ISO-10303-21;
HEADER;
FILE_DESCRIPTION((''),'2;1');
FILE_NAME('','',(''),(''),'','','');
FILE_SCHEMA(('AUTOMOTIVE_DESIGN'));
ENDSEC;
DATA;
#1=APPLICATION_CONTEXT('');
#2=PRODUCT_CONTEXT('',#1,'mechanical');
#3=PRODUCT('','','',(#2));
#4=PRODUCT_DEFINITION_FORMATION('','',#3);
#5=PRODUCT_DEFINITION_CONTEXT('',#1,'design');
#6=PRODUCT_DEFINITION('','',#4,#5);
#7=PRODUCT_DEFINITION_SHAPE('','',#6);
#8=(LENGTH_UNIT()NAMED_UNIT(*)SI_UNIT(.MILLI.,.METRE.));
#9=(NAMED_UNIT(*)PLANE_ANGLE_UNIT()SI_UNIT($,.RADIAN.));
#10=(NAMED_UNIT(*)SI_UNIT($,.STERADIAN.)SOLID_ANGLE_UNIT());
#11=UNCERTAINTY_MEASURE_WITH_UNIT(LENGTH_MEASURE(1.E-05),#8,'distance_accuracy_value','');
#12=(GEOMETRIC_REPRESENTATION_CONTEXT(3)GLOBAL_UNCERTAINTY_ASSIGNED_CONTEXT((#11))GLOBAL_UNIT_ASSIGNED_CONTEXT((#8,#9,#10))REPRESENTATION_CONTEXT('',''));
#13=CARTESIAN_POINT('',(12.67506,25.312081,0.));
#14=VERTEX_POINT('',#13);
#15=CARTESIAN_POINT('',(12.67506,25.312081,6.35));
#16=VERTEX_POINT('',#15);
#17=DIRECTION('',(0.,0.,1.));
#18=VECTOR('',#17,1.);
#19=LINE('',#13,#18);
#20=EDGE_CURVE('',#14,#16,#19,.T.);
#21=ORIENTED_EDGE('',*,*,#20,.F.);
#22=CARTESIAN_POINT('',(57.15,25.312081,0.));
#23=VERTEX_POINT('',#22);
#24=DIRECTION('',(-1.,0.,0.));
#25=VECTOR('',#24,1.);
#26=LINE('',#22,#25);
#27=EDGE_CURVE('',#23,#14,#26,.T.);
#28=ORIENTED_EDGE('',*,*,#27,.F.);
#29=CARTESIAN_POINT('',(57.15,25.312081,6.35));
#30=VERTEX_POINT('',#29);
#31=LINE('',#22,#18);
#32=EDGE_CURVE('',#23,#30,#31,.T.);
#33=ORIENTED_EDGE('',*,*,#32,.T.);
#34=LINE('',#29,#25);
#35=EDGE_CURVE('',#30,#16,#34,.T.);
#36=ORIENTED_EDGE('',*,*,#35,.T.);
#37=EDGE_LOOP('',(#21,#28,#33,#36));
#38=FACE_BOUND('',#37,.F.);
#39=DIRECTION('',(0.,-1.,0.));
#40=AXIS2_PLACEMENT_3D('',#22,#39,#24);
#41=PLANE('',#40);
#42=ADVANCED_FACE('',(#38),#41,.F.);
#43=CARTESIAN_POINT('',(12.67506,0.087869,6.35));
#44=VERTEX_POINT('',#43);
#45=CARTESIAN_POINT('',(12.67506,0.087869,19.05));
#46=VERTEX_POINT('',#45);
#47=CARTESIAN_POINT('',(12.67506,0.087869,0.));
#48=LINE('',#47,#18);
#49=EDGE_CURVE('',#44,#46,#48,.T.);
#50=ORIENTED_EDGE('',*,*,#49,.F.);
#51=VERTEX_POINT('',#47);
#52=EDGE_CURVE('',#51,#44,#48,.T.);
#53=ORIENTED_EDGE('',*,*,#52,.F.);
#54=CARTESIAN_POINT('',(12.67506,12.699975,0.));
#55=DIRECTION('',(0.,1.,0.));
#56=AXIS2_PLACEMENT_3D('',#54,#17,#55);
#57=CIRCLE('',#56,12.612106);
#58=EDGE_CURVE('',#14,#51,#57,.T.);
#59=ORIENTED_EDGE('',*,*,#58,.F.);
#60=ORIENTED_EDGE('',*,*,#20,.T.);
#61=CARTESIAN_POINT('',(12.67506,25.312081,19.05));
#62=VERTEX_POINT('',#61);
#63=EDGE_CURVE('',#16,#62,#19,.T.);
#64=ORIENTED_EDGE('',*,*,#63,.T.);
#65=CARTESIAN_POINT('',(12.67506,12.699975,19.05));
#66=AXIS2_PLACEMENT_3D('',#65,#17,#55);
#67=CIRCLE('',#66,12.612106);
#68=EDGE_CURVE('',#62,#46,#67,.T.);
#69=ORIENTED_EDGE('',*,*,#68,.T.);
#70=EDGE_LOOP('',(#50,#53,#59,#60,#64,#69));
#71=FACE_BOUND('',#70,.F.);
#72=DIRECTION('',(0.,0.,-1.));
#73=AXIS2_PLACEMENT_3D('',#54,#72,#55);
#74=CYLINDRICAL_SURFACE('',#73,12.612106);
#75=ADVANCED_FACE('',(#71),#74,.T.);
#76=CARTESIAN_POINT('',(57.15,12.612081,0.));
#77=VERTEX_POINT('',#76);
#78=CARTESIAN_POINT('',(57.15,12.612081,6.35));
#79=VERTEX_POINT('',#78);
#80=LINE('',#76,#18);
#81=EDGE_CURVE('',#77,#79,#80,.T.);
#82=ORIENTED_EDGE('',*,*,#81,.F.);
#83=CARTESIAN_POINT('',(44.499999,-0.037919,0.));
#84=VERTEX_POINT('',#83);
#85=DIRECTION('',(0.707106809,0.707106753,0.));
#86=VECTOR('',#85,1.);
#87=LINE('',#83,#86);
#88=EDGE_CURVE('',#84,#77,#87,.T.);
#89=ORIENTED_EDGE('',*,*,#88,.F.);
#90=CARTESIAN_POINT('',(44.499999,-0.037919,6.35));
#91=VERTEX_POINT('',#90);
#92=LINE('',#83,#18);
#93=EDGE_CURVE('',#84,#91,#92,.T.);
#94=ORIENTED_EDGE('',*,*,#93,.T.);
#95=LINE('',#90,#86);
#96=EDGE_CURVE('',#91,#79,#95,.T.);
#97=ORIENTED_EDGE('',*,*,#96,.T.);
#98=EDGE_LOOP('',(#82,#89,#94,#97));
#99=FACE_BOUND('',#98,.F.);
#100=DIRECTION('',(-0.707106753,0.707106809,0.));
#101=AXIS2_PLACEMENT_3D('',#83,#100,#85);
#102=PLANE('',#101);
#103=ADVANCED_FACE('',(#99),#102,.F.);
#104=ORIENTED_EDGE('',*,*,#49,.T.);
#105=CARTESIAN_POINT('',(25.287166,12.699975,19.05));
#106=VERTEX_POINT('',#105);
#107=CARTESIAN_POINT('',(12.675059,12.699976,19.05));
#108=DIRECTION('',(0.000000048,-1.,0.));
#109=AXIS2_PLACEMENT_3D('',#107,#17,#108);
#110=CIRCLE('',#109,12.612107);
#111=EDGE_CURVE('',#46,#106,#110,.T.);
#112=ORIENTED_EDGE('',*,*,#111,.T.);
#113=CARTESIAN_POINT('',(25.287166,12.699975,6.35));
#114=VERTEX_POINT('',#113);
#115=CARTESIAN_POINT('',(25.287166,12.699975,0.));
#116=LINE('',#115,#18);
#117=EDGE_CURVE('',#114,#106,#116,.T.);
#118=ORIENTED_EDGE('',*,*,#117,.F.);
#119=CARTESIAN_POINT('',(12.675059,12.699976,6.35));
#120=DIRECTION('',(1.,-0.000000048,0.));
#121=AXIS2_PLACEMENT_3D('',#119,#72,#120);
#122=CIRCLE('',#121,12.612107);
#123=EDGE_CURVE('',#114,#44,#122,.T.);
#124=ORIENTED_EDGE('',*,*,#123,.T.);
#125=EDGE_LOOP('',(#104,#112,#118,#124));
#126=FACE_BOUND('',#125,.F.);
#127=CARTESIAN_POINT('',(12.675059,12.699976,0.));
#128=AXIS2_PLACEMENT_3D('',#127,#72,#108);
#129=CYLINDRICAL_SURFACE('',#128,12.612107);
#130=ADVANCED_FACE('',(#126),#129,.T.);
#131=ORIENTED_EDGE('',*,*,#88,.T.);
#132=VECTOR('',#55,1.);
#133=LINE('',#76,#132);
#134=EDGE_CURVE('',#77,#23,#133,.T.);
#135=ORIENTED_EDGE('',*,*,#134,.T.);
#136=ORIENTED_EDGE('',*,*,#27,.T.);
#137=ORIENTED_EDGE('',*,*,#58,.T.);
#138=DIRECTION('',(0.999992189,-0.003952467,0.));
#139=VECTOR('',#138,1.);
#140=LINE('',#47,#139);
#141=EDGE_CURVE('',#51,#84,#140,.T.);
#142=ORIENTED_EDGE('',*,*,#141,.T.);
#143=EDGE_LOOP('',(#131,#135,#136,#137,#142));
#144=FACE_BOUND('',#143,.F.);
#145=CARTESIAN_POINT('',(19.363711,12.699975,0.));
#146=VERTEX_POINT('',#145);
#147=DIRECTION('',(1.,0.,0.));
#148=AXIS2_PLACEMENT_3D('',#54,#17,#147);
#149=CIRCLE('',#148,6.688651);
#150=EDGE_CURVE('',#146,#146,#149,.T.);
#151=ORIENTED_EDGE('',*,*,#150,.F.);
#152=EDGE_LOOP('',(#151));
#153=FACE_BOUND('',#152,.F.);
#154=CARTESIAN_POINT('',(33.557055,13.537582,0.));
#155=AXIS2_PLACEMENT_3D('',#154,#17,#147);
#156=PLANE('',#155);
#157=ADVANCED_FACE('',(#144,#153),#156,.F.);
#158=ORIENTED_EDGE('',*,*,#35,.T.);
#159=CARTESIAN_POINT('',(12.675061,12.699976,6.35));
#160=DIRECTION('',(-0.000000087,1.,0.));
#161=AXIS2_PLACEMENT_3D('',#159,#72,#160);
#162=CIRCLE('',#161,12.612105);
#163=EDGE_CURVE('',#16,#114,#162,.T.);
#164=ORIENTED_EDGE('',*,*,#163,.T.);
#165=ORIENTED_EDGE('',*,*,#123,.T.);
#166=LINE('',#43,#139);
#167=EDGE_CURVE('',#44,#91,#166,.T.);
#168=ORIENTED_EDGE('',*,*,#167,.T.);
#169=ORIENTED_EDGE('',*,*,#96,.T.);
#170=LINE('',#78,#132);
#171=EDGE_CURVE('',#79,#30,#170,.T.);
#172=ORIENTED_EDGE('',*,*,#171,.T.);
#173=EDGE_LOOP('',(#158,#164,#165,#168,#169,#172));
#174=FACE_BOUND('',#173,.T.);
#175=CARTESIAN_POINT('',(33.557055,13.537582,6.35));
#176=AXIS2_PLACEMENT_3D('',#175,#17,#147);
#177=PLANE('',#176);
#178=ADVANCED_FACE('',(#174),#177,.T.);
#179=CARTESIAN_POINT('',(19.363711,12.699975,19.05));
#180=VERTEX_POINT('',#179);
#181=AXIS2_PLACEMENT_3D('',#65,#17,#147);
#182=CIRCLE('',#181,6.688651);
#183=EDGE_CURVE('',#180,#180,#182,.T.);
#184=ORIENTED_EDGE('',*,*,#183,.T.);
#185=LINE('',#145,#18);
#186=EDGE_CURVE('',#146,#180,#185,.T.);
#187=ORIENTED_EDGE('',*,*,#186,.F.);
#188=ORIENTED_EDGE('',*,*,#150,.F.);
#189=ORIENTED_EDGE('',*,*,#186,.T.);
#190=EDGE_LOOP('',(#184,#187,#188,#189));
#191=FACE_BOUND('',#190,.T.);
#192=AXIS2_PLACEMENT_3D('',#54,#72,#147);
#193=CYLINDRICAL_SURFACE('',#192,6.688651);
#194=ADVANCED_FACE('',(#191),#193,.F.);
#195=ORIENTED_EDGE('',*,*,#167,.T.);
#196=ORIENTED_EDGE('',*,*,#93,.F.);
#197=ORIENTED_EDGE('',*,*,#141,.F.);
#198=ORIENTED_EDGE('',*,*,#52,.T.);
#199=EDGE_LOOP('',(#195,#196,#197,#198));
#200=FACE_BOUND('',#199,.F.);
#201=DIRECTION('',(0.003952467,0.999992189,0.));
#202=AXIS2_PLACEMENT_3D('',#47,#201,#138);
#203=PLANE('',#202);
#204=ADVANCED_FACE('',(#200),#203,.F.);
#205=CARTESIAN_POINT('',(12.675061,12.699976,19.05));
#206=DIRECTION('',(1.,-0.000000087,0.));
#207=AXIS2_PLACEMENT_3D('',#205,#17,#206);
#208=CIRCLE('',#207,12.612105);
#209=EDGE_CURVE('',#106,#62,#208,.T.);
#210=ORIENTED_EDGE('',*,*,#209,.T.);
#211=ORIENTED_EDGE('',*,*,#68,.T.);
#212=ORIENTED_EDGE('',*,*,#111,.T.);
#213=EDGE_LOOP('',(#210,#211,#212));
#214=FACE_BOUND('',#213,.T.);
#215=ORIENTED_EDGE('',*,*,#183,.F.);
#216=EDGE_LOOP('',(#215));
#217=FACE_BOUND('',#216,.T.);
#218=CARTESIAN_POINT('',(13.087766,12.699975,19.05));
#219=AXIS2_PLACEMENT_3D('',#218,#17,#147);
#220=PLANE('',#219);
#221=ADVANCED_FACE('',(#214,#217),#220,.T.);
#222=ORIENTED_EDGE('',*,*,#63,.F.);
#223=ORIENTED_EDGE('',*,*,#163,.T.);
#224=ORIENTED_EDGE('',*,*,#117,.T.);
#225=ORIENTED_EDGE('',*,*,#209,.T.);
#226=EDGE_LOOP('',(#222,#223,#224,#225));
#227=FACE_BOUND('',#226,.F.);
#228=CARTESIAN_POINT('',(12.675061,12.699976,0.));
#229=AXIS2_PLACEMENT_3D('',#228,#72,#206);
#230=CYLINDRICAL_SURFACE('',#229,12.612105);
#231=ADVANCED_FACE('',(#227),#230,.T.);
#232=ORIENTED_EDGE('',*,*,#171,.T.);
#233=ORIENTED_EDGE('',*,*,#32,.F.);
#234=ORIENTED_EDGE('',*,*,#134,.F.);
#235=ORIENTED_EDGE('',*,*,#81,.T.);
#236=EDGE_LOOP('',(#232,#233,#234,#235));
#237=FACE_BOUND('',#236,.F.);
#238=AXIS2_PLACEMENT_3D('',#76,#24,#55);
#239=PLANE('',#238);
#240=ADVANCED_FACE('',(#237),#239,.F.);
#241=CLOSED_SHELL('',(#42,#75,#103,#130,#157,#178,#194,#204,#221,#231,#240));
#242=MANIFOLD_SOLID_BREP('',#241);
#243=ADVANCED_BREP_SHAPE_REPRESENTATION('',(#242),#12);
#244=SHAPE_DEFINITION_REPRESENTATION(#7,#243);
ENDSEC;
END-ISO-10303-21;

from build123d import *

# Parameters (mm, degrees)
F0_R     = 6.688651
F1_DEPTH = 19.05
F2_DEPTH = 6.35


with BuildPart() as f1:
    # F0 (on Top) → F1 (new body)
    with BuildSketch(Plane.XY):
        with BuildLine():
            ThreePointArc((12.67506, 25.312081), (0.062954, 12.699975), (12.67506, 0.087869))
            ThreePointArc((12.67506, 0.087869), (21.593166, 3.78187), (25.287166, 12.699975))
            ThreePointArc((25.287166, 12.699975), (21.593166, 21.618081), (12.67506, 25.312081))
        make_face()
        with Locations((12.67506, 12.699975)):
            Circle(F0_R, mode=Mode.SUBTRACT)
    extrude(amount=F1_DEPTH)

    # F0 (on Top) → F2 (join)
    with BuildSketch(Plane.XY):
        with BuildLine():
            Line((44.499999, -0.037919), (57.15, 12.612081))
            Line((57.15, 12.612081), (57.15, 25.312081))
            Line((57.15, 25.312081), (12.67506, 25.312081))
            ThreePointArc((12.67506, 25.312081), (21.593166, 21.618081), (25.287166, 12.699975))
            ThreePointArc((25.287166, 12.699975), (21.593166, 3.78187), (12.67506, 0.087869))
            Line((12.67506, 0.087869), (44.499999, -0.037919))
        make_face()
    extrude(amount=F2_DEPTH)


solid = f1.part
